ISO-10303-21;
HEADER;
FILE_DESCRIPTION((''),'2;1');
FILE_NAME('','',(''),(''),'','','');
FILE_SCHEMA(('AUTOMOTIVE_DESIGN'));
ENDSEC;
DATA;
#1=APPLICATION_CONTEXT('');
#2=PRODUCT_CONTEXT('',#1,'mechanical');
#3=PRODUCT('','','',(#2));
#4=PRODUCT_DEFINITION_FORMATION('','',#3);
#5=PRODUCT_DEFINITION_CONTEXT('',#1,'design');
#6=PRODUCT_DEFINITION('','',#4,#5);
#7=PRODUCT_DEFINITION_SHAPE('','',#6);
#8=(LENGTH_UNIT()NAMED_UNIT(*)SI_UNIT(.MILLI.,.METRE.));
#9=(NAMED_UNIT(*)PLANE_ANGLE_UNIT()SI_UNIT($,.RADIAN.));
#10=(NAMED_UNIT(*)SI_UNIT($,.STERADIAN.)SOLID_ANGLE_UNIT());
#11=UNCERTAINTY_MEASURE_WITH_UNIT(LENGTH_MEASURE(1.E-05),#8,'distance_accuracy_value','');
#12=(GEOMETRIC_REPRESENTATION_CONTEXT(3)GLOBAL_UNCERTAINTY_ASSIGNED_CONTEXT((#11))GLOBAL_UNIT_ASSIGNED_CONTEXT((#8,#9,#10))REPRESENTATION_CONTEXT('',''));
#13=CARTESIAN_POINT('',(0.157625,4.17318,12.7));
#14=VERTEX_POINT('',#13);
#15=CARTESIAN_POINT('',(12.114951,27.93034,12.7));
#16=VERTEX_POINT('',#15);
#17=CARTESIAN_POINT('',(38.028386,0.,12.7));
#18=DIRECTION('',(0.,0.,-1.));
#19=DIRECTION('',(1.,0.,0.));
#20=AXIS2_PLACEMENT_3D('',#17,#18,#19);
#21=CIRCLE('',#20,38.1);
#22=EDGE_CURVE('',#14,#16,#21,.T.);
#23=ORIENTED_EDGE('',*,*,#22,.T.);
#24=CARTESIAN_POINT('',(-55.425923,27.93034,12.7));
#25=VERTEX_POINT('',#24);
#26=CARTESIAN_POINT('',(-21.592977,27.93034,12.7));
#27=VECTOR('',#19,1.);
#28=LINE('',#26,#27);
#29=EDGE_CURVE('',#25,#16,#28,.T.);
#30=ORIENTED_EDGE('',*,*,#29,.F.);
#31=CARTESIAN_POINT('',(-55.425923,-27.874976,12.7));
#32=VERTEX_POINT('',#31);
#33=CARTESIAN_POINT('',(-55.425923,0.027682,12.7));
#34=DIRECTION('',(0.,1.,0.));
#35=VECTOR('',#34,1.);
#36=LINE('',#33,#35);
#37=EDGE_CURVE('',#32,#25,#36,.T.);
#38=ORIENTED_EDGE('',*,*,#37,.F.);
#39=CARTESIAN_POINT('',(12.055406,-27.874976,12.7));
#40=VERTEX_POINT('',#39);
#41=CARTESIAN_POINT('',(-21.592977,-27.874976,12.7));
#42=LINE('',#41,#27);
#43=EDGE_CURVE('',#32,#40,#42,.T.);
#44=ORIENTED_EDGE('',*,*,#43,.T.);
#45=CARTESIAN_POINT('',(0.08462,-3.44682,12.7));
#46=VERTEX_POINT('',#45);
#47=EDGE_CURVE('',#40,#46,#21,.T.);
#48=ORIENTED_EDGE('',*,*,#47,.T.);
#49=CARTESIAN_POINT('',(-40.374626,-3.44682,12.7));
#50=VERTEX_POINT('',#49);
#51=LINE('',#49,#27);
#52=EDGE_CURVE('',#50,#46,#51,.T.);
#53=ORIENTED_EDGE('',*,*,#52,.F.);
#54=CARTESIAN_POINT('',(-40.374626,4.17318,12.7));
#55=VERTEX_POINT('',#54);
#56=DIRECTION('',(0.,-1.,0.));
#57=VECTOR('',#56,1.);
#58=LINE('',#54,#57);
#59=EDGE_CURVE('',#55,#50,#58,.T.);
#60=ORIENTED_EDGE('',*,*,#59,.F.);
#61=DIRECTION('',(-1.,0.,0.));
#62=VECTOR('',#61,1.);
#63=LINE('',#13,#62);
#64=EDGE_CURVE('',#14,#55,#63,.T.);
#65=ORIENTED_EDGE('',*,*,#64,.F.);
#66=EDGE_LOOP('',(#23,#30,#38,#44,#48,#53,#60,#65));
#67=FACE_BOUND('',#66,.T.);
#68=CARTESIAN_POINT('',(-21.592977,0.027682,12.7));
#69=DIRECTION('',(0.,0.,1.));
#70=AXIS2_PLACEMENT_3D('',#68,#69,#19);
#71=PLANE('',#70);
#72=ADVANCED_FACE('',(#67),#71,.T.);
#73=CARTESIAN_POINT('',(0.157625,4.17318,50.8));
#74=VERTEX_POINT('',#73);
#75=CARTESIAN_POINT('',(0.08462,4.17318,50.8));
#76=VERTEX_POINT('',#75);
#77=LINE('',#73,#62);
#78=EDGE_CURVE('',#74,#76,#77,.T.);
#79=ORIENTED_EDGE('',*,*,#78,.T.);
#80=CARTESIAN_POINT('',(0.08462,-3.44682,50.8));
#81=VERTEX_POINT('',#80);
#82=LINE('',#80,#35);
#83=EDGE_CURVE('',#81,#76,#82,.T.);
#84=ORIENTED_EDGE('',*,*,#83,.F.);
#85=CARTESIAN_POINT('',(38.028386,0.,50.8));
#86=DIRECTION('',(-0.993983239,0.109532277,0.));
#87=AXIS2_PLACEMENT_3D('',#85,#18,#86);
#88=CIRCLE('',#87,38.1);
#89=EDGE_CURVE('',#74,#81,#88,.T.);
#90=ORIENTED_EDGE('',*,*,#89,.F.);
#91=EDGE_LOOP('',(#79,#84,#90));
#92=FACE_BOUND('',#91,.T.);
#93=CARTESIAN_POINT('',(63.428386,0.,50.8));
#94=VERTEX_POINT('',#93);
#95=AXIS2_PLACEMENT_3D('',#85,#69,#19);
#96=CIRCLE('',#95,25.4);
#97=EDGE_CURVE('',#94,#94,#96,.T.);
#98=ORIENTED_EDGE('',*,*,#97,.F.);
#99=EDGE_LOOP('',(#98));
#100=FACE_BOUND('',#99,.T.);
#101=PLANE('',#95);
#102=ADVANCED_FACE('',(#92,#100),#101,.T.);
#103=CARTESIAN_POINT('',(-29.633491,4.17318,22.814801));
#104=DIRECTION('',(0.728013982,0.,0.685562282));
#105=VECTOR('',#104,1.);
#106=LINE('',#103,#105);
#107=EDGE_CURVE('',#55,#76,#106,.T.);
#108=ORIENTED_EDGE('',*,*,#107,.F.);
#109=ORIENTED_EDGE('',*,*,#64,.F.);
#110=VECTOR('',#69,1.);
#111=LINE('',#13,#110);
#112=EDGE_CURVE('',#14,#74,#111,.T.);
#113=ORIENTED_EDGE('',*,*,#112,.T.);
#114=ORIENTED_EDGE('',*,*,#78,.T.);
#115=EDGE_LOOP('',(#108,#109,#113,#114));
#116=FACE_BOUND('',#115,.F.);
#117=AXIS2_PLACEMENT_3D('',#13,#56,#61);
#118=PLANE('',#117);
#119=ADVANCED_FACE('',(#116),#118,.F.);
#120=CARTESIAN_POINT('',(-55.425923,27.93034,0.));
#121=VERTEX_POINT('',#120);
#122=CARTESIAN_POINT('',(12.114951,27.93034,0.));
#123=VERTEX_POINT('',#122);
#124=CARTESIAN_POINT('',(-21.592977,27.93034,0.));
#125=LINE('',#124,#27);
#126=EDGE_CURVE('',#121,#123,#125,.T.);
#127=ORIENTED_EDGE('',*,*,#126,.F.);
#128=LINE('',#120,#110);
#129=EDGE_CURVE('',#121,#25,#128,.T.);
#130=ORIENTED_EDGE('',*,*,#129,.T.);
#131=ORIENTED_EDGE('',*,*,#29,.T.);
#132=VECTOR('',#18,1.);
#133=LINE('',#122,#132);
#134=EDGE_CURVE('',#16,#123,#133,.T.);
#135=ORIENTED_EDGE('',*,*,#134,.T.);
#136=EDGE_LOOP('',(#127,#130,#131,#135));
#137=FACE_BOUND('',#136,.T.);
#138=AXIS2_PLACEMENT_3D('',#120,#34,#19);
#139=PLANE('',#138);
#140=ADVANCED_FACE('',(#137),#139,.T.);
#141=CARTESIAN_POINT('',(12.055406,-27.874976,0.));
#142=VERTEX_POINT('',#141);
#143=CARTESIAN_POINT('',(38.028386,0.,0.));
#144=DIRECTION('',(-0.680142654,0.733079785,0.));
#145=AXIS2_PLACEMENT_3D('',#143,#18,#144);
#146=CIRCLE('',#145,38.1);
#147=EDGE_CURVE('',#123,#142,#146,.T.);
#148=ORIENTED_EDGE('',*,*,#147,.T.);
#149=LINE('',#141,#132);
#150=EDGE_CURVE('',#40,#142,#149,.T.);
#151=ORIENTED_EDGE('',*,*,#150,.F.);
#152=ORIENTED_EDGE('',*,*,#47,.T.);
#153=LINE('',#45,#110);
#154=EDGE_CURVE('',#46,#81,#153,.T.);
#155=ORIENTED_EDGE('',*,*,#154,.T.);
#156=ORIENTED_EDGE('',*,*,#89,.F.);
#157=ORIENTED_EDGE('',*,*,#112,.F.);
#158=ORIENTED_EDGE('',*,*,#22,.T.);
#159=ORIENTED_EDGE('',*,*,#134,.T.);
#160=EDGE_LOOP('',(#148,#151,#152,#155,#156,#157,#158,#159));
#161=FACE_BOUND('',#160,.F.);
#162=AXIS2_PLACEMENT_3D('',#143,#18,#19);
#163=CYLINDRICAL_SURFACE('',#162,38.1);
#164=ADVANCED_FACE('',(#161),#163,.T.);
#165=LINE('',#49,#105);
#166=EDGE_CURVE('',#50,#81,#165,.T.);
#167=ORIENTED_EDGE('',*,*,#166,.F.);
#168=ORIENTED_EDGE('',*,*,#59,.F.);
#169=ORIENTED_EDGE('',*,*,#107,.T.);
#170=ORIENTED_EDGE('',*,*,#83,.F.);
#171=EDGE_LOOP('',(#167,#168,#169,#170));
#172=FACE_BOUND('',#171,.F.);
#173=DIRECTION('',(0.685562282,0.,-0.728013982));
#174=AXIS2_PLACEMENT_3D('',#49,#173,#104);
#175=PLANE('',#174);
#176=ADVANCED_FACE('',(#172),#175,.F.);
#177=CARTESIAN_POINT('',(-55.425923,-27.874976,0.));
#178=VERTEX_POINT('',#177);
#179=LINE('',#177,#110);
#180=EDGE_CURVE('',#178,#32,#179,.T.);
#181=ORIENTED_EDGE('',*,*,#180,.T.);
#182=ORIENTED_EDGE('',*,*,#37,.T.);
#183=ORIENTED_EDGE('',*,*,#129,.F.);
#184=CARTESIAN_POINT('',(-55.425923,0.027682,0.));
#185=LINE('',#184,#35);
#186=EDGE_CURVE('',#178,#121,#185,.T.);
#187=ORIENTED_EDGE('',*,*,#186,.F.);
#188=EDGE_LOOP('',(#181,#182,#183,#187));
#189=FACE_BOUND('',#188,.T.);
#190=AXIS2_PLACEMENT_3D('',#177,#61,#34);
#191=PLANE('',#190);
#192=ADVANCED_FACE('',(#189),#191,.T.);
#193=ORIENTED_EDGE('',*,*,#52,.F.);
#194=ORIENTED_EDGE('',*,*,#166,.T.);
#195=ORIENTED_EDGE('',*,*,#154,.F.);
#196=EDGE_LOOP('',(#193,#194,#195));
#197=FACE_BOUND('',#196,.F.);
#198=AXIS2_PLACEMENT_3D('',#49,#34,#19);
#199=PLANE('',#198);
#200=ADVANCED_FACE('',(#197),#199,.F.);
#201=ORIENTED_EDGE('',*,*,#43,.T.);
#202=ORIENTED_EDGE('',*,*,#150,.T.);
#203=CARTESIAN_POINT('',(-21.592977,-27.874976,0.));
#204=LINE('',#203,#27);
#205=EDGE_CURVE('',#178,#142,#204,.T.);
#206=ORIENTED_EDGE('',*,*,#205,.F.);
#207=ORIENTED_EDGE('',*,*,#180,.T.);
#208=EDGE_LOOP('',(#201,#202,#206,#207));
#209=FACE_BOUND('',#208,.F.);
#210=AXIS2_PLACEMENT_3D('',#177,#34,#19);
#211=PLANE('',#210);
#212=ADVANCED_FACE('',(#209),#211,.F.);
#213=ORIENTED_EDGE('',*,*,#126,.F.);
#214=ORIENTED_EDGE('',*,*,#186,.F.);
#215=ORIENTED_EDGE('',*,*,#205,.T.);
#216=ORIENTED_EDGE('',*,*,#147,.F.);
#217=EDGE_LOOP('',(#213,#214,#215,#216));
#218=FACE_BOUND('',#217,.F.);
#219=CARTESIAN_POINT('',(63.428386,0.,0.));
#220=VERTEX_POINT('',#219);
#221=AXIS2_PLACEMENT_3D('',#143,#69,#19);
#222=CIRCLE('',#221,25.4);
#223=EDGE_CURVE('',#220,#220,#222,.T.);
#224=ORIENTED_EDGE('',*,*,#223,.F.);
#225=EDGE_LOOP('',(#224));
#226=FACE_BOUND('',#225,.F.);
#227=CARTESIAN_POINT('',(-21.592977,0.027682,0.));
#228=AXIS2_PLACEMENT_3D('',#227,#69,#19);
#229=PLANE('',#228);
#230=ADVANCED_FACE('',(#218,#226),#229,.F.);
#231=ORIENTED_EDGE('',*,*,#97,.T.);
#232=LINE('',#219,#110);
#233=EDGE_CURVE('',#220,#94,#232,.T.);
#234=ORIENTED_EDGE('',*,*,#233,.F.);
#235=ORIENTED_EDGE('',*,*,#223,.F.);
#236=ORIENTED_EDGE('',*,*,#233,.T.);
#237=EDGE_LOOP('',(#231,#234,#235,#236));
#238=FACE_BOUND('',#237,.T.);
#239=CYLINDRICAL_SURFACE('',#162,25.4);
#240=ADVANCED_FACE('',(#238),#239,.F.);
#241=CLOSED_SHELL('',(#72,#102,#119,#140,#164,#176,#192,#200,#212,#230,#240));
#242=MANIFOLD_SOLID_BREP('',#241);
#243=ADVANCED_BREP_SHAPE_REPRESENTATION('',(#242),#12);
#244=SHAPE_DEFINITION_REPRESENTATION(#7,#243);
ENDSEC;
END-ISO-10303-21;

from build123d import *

# Parameters (mm, degrees)
F0_R     = 38.1
F0_R_2   = 25.4
F1_DEPTH = 50.8
F2_W     = 67.6658935845
F2_H     = 55.8053161949
F3_DEPTH = 12.7
F5_DEPTH = 38.1
F7_DEPTH = 25.4


with BuildPart() as f1:
    # F0 (on Top) → F1 (new body)
    with BuildSketch(Plane.XY):
        with Locations((38.0283864189, 0)):
            Circle(F0_R)
        with Locations((38.0283864189, 0)):
            Circle(F0_R_2, mode=Mode.SUBTRACT)
    extrude(amount=F1_DEPTH)

    # F2 (on Top) → F3 (join)
    with BuildSketch(Plane.XY):
        with Locations((-21.5929765254, 0.0276817009)):
            Rectangle(F2_W, F2_H)
    extrude(amount=F3_DEPTH)

    # F4 (on face) → F5 (join)
    with BuildSketch(Plane.XY.offset(12.7)):
        with BuildLine():
            ThreePointArc((0.0846197344, -3.4468202446), (-0.0698650899, 0.3650095571), (0.1576249962, 4.1731797554))
            Line((0.1576249962, 4.1731797554), (-40.3746258327, 4.1731797554))
            Line((-40.3746258327, 4.1731797554), (-40.3746258327, -3.4468202446))
            Line((-40.3746258327, -3.4468202446), (0.0846197344, -3.4468202446))
        make_face()
    extrude(amount=F5_DEPTH)

    # F6 (on face) → F7 (cut)
    with BuildSketch(Plane.XZ.offset(3.4468202446)):
        Polygon((-40.3746258327, 12.7), (0.0846197344, 50.8), (-40.3746258327, 50.8), align=None)
    extrude(amount=-F7_DEPTH, mode=Mode.SUBTRACT)


solid = f1.part
